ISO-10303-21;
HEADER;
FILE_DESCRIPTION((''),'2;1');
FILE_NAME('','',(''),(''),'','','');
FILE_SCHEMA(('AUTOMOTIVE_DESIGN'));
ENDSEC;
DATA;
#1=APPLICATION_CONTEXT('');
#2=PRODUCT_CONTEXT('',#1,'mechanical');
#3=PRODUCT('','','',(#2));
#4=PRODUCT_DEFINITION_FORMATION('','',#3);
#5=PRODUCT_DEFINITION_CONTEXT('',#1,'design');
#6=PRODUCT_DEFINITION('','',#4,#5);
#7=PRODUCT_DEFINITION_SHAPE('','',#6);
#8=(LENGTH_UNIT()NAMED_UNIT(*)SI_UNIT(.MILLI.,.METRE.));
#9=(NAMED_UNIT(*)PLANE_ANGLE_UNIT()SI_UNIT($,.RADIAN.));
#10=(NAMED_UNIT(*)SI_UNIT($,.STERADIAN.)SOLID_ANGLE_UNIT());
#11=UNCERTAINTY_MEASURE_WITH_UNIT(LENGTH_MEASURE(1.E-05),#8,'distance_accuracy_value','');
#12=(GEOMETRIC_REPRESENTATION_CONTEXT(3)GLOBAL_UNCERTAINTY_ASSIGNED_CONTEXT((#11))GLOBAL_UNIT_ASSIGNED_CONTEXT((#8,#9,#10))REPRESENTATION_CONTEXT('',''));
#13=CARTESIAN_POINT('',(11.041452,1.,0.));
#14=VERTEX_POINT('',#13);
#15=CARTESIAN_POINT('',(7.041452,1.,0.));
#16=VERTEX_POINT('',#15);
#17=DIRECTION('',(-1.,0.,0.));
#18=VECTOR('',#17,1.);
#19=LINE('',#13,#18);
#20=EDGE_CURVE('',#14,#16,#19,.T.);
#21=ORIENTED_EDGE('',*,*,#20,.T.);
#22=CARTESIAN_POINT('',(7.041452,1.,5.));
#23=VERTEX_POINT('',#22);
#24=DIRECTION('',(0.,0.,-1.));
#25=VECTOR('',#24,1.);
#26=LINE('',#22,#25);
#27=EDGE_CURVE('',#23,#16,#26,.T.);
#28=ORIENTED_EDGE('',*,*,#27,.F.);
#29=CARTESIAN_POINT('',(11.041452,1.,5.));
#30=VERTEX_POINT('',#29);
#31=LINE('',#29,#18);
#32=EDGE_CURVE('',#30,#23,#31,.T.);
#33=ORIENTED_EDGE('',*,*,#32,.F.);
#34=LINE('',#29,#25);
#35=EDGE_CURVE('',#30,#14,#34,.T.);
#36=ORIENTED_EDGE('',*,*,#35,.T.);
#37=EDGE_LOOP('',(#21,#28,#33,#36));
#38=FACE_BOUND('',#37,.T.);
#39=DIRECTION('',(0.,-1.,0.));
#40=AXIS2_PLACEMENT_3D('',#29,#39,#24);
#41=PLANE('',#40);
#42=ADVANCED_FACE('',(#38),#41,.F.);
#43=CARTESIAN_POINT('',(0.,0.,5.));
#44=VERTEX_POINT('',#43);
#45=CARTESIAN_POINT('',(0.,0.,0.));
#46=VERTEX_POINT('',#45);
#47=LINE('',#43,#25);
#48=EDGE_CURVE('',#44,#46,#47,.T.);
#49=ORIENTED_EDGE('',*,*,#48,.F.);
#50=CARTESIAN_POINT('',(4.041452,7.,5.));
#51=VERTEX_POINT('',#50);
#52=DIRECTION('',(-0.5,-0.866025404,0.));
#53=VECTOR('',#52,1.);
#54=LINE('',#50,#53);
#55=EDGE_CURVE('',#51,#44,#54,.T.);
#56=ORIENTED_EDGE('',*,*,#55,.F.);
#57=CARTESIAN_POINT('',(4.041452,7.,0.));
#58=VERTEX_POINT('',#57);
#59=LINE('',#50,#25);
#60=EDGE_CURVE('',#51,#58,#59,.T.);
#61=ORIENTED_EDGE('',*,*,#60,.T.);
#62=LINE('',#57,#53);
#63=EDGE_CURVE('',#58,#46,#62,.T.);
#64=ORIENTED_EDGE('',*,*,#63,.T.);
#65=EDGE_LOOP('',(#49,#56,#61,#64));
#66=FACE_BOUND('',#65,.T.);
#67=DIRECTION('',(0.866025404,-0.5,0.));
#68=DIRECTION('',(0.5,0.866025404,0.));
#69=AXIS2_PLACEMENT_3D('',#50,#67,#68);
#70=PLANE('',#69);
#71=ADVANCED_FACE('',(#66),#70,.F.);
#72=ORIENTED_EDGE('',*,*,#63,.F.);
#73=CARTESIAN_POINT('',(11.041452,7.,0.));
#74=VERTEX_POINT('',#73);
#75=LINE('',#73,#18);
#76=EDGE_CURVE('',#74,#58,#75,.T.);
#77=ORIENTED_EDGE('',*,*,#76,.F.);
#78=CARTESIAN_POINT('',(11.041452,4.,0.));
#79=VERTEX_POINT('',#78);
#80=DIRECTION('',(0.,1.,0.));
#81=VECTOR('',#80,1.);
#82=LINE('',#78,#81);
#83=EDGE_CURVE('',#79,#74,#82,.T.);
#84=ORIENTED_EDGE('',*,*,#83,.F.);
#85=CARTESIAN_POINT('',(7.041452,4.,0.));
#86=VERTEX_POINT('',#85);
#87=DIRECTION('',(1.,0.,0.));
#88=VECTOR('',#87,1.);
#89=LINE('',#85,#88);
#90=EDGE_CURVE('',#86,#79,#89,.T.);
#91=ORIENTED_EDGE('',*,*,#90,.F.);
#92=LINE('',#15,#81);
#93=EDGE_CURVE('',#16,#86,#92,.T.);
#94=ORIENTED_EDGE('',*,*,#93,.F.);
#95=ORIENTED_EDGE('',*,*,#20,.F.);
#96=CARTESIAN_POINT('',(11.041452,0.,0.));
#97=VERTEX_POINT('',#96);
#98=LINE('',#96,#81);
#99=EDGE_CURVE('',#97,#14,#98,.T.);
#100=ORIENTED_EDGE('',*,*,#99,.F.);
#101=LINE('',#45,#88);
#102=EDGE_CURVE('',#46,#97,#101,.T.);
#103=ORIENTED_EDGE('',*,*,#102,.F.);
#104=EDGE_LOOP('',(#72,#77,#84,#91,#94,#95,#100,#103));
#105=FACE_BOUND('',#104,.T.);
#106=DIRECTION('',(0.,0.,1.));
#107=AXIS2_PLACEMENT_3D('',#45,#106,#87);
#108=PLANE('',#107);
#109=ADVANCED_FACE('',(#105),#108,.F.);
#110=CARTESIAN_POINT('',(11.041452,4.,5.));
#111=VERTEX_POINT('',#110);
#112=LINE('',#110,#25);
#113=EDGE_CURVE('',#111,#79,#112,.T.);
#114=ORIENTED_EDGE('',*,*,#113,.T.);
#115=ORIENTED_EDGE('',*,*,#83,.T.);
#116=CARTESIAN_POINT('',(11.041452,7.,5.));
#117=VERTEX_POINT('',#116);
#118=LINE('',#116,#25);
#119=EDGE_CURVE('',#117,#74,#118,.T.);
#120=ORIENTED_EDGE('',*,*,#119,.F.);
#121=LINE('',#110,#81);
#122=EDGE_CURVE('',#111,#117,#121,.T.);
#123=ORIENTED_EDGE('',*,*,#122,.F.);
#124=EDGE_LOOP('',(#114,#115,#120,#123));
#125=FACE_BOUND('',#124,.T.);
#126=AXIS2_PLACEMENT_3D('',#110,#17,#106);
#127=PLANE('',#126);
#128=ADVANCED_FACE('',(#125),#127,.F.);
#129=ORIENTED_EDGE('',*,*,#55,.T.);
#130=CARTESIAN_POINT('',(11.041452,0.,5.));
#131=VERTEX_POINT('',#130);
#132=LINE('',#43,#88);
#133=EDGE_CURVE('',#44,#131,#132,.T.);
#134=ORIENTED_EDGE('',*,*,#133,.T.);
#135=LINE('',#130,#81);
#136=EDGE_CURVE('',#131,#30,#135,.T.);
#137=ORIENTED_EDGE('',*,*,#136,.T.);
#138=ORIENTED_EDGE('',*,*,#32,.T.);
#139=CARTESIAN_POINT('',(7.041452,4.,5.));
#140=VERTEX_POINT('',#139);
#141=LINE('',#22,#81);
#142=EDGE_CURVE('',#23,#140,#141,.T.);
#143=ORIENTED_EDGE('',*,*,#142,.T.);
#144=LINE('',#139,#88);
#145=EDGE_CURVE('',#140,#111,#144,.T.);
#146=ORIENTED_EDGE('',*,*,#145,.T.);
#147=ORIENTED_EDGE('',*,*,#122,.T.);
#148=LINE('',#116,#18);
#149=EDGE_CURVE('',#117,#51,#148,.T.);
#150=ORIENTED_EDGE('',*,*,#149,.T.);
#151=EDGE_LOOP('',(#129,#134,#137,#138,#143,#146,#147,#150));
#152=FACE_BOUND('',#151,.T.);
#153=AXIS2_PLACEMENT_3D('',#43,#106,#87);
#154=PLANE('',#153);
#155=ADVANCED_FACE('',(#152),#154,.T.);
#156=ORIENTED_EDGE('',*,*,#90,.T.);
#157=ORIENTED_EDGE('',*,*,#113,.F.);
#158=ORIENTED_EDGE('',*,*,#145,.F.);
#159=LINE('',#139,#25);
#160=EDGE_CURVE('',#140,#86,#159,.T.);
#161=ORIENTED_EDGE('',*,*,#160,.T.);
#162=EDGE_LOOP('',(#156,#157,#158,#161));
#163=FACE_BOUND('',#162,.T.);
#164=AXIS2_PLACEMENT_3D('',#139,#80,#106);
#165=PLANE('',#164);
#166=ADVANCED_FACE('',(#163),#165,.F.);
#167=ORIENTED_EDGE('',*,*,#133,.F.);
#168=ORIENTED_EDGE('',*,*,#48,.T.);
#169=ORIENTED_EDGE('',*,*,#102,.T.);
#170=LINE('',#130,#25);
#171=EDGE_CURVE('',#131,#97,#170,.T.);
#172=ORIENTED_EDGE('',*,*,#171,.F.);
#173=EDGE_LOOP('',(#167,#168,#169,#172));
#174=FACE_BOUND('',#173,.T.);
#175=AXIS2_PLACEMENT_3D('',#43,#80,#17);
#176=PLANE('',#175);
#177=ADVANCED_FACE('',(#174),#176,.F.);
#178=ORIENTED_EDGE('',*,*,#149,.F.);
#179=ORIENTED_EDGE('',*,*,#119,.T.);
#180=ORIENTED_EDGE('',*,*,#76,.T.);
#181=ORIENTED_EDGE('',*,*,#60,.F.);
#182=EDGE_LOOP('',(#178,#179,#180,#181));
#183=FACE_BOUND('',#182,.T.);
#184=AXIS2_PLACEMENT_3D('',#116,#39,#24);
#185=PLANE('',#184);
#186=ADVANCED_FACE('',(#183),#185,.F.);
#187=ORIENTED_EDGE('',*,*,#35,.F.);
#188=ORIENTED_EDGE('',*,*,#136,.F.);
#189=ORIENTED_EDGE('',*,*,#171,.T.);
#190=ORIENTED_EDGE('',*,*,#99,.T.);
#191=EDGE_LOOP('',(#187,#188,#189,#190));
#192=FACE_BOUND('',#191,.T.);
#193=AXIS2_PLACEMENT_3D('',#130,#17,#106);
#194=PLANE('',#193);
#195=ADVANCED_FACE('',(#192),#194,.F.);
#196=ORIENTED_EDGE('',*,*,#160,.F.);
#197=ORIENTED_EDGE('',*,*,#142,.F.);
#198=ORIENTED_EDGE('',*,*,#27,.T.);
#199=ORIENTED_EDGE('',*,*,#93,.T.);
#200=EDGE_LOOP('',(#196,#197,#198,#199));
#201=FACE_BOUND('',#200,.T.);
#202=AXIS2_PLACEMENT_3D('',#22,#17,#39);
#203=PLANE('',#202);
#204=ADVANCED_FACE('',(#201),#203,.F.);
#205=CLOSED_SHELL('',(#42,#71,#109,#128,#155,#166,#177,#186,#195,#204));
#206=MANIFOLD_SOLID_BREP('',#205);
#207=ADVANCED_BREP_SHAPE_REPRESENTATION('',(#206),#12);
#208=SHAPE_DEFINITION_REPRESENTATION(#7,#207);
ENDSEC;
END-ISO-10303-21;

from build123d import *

# Parameters (mm, degrees)
BOSS_EXTRUDE1_DEPTH = 5


with BuildPart() as part:
    # Sketch1 → Boss-Extrude1 (new body)
    with BuildSketch(Plane.XY):
        Polygon((11.041451884, 7), (4.041451884, 7), (0, 0), (11.041451884, 0), (11.041451884, 1), (7.041451884, 1), (7.041451884, 4), (11.041451884, 4), align=None)
    extrude(amount=BOSS_EXTRUDE1_DEPTH)


solid = part.part
